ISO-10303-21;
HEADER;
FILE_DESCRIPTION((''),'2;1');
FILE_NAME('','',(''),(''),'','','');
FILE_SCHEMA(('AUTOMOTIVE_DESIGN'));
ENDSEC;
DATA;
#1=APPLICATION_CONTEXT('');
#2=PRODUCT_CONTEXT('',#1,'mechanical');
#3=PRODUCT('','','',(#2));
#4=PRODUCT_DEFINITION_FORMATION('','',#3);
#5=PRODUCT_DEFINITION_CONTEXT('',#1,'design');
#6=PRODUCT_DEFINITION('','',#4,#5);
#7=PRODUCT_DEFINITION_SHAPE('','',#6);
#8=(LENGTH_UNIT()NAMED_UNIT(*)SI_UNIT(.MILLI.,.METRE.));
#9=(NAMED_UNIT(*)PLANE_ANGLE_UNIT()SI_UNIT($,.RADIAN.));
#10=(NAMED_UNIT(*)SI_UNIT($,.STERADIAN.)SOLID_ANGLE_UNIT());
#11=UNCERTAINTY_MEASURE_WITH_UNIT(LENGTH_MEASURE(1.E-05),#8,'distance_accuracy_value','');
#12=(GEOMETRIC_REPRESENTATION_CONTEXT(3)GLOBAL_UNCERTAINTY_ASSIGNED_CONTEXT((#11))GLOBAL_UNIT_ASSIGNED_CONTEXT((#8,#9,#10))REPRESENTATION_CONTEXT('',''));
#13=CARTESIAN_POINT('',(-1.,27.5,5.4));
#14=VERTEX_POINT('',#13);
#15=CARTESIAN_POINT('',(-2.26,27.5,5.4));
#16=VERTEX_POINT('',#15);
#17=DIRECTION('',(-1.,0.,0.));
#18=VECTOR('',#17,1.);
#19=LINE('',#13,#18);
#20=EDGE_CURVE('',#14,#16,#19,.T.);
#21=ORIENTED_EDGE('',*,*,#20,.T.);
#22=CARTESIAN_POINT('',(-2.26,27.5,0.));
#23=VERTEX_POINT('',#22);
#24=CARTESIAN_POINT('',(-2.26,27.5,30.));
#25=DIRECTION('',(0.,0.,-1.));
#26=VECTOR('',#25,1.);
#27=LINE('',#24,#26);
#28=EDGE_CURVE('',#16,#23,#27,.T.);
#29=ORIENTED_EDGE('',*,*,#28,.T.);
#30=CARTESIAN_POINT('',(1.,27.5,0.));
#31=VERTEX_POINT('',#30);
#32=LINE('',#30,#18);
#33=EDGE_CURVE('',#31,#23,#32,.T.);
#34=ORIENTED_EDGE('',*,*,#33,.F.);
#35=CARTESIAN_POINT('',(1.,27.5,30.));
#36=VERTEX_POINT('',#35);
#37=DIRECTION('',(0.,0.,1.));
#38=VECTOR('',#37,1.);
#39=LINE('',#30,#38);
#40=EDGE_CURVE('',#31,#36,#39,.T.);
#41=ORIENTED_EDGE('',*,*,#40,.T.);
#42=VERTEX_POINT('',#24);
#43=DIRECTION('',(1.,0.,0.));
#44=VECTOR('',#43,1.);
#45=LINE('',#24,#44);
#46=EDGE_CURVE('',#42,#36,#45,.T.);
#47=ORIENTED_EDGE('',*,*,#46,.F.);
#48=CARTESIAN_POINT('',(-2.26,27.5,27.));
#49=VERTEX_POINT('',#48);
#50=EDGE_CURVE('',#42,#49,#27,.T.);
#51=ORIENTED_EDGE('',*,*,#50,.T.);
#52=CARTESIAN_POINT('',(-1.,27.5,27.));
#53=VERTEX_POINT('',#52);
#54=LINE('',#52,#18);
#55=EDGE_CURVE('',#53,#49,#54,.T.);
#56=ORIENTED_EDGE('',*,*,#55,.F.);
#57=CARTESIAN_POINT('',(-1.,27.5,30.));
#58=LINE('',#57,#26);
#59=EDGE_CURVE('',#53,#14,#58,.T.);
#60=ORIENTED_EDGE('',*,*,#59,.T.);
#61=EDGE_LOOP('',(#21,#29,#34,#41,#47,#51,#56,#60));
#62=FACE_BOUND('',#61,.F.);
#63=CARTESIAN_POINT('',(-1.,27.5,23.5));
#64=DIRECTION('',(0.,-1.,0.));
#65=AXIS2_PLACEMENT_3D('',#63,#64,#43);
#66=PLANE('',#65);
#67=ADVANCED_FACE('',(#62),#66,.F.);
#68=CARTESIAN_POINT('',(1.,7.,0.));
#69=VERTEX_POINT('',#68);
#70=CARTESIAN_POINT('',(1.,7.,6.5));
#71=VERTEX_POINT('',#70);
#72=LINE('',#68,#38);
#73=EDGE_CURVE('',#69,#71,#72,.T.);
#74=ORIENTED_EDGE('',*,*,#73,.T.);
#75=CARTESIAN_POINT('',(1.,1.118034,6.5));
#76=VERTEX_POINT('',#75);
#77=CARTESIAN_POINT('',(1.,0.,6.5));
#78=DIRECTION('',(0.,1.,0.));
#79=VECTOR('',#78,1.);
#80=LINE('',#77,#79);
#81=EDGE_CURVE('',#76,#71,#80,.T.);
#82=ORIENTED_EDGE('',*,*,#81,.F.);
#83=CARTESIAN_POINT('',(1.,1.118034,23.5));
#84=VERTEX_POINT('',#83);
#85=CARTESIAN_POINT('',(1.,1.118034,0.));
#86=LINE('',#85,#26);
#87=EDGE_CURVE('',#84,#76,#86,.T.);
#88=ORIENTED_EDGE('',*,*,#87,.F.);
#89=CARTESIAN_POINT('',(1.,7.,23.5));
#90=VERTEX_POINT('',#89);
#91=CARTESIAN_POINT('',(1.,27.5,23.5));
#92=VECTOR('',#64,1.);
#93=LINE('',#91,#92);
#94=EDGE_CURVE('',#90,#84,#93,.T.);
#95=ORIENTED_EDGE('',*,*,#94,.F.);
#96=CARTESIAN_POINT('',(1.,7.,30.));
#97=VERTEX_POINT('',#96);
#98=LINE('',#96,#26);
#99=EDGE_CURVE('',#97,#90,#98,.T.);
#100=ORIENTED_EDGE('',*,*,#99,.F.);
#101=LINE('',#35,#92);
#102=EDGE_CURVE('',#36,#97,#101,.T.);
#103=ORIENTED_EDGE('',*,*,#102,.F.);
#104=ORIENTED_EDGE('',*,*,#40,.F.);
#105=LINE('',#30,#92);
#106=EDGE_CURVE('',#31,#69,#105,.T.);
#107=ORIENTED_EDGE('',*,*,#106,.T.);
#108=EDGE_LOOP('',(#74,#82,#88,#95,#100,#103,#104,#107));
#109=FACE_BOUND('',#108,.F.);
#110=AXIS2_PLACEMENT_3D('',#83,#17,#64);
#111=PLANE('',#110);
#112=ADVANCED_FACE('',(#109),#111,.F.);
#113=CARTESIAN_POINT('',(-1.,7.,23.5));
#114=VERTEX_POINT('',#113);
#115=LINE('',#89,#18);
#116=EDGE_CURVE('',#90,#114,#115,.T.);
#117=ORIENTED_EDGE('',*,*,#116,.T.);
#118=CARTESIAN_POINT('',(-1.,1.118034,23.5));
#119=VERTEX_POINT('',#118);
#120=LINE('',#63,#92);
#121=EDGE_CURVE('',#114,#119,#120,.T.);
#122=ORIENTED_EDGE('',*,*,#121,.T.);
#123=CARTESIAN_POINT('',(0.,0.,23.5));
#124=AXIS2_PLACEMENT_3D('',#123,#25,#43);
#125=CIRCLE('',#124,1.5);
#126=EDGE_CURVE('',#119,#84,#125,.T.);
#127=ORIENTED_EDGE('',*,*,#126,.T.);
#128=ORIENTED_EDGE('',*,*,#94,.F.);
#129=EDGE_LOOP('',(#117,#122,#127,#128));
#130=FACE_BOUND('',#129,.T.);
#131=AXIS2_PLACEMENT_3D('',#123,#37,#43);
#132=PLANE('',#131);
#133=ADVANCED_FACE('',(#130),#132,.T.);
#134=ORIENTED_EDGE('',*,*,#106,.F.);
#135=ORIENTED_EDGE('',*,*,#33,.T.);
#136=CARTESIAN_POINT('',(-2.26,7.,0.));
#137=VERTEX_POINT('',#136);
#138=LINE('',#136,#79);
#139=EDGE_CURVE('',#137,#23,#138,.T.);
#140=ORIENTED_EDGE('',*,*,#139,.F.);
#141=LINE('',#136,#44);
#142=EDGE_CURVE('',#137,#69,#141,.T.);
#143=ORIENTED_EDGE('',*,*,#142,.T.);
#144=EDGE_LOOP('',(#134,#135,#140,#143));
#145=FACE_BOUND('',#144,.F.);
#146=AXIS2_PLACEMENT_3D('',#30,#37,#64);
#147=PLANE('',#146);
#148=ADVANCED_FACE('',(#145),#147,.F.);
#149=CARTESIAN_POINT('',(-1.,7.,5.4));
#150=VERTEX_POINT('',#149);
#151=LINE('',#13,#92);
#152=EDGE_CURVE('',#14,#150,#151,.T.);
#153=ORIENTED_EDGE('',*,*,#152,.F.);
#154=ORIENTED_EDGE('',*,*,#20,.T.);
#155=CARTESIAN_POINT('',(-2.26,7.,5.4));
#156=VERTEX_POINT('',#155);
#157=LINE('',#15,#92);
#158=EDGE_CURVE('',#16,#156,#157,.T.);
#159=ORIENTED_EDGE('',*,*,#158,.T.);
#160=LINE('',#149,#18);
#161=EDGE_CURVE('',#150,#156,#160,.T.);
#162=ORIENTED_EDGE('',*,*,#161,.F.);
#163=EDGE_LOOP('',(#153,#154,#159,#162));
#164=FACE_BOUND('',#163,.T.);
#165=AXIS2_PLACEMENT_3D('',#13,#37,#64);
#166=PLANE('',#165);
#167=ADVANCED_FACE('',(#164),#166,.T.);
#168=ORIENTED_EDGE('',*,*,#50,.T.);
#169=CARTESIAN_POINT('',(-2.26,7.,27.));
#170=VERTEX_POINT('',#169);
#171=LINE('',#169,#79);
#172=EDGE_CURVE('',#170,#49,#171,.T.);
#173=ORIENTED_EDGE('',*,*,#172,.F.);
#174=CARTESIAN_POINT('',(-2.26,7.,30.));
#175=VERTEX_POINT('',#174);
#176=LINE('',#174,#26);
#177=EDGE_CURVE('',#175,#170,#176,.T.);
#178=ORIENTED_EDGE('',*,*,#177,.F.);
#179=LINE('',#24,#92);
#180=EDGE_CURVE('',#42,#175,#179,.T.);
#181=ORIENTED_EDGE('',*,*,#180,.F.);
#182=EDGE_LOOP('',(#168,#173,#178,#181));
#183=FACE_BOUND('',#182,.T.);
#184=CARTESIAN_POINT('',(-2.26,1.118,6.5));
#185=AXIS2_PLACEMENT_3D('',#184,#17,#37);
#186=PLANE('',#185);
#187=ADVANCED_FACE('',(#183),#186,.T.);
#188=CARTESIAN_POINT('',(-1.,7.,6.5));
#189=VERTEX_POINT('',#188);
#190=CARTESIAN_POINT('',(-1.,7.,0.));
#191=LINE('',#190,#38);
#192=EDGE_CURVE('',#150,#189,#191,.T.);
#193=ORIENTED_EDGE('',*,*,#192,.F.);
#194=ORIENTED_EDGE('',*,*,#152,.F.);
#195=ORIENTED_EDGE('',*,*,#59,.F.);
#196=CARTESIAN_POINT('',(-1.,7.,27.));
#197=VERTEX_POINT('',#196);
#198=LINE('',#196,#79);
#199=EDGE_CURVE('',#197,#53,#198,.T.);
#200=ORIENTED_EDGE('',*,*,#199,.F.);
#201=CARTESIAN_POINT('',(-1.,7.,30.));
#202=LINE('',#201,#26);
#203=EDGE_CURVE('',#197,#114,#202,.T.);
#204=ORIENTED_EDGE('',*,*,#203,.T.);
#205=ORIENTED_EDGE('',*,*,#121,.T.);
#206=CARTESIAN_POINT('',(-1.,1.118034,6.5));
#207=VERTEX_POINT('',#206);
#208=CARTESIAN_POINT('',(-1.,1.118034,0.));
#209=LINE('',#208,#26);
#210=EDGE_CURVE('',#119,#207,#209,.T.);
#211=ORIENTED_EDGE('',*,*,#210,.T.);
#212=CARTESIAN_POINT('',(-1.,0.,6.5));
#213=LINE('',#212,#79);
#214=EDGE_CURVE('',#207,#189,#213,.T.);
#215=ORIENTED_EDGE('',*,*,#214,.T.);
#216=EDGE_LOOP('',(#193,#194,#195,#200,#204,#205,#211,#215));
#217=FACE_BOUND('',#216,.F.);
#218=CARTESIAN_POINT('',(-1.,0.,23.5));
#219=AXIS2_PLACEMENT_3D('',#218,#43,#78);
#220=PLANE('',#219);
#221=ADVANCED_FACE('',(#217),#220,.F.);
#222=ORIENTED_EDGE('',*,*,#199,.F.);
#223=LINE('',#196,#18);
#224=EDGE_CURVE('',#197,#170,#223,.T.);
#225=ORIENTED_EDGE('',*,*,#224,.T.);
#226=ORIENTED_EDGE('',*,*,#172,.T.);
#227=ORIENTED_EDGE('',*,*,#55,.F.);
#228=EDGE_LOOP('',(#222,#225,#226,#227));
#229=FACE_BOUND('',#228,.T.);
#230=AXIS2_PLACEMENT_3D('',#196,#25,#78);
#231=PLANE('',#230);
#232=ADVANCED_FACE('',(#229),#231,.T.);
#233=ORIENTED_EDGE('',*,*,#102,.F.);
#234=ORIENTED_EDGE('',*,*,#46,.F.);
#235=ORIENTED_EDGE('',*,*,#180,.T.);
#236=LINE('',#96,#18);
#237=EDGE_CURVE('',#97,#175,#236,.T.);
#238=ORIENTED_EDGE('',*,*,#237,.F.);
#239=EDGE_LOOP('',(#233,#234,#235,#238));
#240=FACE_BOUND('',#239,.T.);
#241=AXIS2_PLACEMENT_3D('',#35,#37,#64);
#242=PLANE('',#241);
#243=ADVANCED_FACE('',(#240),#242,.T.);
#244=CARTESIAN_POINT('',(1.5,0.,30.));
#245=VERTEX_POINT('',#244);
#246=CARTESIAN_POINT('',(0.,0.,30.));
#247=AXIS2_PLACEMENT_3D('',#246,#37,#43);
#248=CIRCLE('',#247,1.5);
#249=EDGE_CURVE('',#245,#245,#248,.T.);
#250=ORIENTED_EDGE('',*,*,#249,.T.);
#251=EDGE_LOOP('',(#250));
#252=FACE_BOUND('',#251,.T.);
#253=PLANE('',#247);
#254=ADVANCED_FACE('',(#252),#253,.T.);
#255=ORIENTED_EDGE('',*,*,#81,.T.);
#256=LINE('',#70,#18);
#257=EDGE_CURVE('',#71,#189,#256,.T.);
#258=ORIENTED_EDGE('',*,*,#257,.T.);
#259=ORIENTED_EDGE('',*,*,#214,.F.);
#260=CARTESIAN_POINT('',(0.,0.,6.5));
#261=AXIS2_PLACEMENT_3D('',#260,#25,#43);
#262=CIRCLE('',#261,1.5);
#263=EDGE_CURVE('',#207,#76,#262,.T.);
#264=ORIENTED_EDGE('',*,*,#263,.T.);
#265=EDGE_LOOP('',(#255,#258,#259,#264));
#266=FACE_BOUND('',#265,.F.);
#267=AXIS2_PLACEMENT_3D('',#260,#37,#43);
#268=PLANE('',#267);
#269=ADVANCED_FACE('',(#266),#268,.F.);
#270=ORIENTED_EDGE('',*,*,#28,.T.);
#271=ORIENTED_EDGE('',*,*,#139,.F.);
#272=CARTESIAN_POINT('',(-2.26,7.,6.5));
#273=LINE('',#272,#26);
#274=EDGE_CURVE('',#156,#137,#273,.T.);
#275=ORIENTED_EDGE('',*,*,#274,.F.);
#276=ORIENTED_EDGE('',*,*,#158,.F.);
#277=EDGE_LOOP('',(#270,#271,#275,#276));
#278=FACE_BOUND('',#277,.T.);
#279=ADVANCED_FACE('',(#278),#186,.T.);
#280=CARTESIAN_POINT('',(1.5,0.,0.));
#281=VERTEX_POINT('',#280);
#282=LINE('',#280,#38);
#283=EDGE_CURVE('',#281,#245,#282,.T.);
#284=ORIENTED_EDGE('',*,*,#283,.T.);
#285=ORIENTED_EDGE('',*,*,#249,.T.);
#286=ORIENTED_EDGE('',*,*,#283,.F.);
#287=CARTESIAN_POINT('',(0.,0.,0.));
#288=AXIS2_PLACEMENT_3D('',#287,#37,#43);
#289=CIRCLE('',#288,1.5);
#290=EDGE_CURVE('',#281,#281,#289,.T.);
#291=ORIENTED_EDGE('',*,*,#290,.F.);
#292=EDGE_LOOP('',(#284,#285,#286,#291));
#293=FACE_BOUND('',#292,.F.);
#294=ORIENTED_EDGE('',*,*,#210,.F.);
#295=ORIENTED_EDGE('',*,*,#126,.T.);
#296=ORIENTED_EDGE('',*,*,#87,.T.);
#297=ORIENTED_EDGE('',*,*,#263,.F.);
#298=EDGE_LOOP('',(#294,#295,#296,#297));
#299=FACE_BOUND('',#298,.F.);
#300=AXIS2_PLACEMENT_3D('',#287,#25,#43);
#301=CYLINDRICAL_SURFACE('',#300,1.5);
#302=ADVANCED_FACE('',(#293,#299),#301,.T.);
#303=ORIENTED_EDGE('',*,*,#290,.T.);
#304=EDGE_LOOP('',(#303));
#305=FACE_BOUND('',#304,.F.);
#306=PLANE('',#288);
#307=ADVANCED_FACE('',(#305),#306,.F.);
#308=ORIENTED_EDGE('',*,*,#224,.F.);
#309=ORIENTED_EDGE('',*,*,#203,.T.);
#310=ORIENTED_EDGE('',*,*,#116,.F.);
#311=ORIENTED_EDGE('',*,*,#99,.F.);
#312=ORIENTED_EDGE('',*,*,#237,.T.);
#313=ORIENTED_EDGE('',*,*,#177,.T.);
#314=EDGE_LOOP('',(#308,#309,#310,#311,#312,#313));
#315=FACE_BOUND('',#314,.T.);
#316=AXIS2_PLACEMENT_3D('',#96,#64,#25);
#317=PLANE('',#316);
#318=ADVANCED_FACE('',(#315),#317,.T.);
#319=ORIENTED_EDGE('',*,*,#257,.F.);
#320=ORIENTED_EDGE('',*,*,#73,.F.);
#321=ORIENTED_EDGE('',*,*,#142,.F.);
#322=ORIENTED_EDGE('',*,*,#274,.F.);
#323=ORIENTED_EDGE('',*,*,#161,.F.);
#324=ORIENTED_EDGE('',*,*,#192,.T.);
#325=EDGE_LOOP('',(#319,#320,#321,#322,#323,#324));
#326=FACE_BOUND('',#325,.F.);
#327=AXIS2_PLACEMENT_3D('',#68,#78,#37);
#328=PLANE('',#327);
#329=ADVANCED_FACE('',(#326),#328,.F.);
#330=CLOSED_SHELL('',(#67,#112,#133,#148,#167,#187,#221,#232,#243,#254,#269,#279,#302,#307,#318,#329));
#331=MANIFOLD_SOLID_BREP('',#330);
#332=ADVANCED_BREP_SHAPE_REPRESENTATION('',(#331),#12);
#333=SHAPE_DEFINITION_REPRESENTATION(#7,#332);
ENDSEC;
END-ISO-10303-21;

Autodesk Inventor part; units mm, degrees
ref_plane "YZ Plane" through (0, 0, 0) normal (1, 0, 0) x (0, 1, 0)
ref_plane "XZ Plane" through (0, 0, 0) normal (0, 1, 0) x (-1, 0, 0)
ref_plane "XY Plane" through (0, 0, 0) normal (0, 0, 1) x (1, 0, 0)
sketch "Sketch1" plane through (0, 0, 0) normal (0, 0, 1) x (1, 0, 0)
  circle A0 centre (0, 0) radius 1.5
  dimension "d0" = 3
extrude "Extrusion1" add sketch "Sketch1" along normal blind 30
ref_plane "Work Plane1" through (0, 0, 23.5) normal (0, 0, 1) x (1, 0, 0)
ref_plane "Work Plane2" through (0, 0, 6.5) normal (0, 0, -1) x (-1, 0, 0)
sketch "Sketch2" plane through (0, 0, 23.5) normal (0, 0, 1) x (1, 0, 0)
  circle A0 centre (0, 0) radius 1.5 projected
  line L0 (1, 0) -> (-1, 0)
  line L1 (-1, 0) -> (-1, 27.5)
  line L2 (-1, 27.5) -> (1, 27.5)
  line L3 (1, 27.5) -> (1, 0)
  dimension "d7" = 27.5
  dimension "d13" = 1
extrude "Extrusion2" add sketch "Sketch2" against normal up to surface (17 mm away) contours L3 L0 L1 A0 | A0 L1 L2 L3 picked at (0, 0.5)
sketch "Sketch3" plane through (1, 1.118, 23.5) normal (1, 0, 0) x (0, 0, -1)
  line L0 (17, 0) -> (17, 26.382) projected
  line L1 (0, 26.382) -> (17, 26.382) projected
  line L2 (0, 26.382) -> (0, 0) projected
  line L3 (17, 0) -> (0, 0) projected
  line L4 (0, 26.382) -> (-6.5, 26.382)
  line L5 (-6.5, 26.382) -> (-6.5, 5.882)
  line L6 (-6.5, 5.882) -> (0, 5.882)
  line L7 (0, 5.882) -> (0, 26.382)
  line L8 (17, 0) -> (17, 26.382) projected
  line L9 (17, 26.382) -> (23.5, 26.382)
  line L10 (23.5, 26.382) -> (23.5, 5.882)
  line L11 (23.5, 5.882) -> (17, 5.882)
  line L12 (17, 5.882) -> (17, 26.382)
  line L13 (23.5, -2.618) -> (23.5, 0.382) projected
  line L14 (-6.5, 0.382) -> (-6.5, -2.618) projected
  line L15 (0, 0) -> (17, 0) projected
  line L16 (17, 0) -> (17, 0) projected
  line L17 (17, 0) -> (0, 0) projected
  line L18 (0, 0) -> (0, 0) projected
  point P0 (23.5, -1.118)
  point P1 (20.25, 5.882)
  point P2 (-3.25, 5.882)
  point P3 (23.5, -1.118)
  point P4 (23.5, 16.132)
  point P5 (-6.5, 16.132)
  point P6 (-6.5, -1.118)
  dimension "d10" = 5.5
extrude "Extrusion3" add sketch "Sketch3" against normal up to surface (2 mm away) contours L0 L9 L10 L11 | L6 L5 L4 L2
sketch "Sketch5" plane through (-1, 1.118, 6.5) normal (-1, 0, 0) x (0, 0, 1)
  line L0 (17, 0) -> (0, 0) projected
  line L1 (17, 0) -> (17, 5.882) projected
  line L2 (23.5, 5.882) -> (17, 5.882) projected
  line L3 (23.5, 26.382) -> (23.5, 5.882) projected
  line L4 (23.5, 26.382) -> (-6.5, 26.382) projected
  line L5 (-6.5, 5.882) -> (-6.5, 26.382) projected
  line L6 (0, 5.882) -> (-6.5, 5.882) projected
  line L7 (0, 5.882) -> (0, 0) projected
  line L8 (23.5, 5.882) -> (17, 5.882) projected
  line L9 (23.5, 26.382) -> (-6.5, 26.382) projected
  line L10 (23.5, 5.882) -> (20.5, 5.882)
  line L11 (20.5, 5.882) -> (20.5, 26.382)
  line L12 (20.5, 26.382) -> (23.5, 26.382)
  line L13 (23.5, 26.382) -> (23.5, 5.882)
  line L14 (0, 5.882) -> (-6.5, 5.882) projected
  line L15 (-6.5, 26.382) -> (-1.1, 26.382)
  line L16 (-1.1, 26.382) -> (-1.1, 5.882)
  line L17 (-1.1, 5.882) -> (-6.5, 5.882)
  line L18 (-6.5, 5.882) -> (-6.5, 26.382)
  point P0 (-6.5, -1.118)
  dimension "d16" = 3
  dimension "d17" = 5.4
extrude "Extrusion5" add sketch "Sketch5" along normal blind 1.26 contours L11 L4 L3 L2 | L6 L5 L4 L16
properties part number "gpsDoor"
